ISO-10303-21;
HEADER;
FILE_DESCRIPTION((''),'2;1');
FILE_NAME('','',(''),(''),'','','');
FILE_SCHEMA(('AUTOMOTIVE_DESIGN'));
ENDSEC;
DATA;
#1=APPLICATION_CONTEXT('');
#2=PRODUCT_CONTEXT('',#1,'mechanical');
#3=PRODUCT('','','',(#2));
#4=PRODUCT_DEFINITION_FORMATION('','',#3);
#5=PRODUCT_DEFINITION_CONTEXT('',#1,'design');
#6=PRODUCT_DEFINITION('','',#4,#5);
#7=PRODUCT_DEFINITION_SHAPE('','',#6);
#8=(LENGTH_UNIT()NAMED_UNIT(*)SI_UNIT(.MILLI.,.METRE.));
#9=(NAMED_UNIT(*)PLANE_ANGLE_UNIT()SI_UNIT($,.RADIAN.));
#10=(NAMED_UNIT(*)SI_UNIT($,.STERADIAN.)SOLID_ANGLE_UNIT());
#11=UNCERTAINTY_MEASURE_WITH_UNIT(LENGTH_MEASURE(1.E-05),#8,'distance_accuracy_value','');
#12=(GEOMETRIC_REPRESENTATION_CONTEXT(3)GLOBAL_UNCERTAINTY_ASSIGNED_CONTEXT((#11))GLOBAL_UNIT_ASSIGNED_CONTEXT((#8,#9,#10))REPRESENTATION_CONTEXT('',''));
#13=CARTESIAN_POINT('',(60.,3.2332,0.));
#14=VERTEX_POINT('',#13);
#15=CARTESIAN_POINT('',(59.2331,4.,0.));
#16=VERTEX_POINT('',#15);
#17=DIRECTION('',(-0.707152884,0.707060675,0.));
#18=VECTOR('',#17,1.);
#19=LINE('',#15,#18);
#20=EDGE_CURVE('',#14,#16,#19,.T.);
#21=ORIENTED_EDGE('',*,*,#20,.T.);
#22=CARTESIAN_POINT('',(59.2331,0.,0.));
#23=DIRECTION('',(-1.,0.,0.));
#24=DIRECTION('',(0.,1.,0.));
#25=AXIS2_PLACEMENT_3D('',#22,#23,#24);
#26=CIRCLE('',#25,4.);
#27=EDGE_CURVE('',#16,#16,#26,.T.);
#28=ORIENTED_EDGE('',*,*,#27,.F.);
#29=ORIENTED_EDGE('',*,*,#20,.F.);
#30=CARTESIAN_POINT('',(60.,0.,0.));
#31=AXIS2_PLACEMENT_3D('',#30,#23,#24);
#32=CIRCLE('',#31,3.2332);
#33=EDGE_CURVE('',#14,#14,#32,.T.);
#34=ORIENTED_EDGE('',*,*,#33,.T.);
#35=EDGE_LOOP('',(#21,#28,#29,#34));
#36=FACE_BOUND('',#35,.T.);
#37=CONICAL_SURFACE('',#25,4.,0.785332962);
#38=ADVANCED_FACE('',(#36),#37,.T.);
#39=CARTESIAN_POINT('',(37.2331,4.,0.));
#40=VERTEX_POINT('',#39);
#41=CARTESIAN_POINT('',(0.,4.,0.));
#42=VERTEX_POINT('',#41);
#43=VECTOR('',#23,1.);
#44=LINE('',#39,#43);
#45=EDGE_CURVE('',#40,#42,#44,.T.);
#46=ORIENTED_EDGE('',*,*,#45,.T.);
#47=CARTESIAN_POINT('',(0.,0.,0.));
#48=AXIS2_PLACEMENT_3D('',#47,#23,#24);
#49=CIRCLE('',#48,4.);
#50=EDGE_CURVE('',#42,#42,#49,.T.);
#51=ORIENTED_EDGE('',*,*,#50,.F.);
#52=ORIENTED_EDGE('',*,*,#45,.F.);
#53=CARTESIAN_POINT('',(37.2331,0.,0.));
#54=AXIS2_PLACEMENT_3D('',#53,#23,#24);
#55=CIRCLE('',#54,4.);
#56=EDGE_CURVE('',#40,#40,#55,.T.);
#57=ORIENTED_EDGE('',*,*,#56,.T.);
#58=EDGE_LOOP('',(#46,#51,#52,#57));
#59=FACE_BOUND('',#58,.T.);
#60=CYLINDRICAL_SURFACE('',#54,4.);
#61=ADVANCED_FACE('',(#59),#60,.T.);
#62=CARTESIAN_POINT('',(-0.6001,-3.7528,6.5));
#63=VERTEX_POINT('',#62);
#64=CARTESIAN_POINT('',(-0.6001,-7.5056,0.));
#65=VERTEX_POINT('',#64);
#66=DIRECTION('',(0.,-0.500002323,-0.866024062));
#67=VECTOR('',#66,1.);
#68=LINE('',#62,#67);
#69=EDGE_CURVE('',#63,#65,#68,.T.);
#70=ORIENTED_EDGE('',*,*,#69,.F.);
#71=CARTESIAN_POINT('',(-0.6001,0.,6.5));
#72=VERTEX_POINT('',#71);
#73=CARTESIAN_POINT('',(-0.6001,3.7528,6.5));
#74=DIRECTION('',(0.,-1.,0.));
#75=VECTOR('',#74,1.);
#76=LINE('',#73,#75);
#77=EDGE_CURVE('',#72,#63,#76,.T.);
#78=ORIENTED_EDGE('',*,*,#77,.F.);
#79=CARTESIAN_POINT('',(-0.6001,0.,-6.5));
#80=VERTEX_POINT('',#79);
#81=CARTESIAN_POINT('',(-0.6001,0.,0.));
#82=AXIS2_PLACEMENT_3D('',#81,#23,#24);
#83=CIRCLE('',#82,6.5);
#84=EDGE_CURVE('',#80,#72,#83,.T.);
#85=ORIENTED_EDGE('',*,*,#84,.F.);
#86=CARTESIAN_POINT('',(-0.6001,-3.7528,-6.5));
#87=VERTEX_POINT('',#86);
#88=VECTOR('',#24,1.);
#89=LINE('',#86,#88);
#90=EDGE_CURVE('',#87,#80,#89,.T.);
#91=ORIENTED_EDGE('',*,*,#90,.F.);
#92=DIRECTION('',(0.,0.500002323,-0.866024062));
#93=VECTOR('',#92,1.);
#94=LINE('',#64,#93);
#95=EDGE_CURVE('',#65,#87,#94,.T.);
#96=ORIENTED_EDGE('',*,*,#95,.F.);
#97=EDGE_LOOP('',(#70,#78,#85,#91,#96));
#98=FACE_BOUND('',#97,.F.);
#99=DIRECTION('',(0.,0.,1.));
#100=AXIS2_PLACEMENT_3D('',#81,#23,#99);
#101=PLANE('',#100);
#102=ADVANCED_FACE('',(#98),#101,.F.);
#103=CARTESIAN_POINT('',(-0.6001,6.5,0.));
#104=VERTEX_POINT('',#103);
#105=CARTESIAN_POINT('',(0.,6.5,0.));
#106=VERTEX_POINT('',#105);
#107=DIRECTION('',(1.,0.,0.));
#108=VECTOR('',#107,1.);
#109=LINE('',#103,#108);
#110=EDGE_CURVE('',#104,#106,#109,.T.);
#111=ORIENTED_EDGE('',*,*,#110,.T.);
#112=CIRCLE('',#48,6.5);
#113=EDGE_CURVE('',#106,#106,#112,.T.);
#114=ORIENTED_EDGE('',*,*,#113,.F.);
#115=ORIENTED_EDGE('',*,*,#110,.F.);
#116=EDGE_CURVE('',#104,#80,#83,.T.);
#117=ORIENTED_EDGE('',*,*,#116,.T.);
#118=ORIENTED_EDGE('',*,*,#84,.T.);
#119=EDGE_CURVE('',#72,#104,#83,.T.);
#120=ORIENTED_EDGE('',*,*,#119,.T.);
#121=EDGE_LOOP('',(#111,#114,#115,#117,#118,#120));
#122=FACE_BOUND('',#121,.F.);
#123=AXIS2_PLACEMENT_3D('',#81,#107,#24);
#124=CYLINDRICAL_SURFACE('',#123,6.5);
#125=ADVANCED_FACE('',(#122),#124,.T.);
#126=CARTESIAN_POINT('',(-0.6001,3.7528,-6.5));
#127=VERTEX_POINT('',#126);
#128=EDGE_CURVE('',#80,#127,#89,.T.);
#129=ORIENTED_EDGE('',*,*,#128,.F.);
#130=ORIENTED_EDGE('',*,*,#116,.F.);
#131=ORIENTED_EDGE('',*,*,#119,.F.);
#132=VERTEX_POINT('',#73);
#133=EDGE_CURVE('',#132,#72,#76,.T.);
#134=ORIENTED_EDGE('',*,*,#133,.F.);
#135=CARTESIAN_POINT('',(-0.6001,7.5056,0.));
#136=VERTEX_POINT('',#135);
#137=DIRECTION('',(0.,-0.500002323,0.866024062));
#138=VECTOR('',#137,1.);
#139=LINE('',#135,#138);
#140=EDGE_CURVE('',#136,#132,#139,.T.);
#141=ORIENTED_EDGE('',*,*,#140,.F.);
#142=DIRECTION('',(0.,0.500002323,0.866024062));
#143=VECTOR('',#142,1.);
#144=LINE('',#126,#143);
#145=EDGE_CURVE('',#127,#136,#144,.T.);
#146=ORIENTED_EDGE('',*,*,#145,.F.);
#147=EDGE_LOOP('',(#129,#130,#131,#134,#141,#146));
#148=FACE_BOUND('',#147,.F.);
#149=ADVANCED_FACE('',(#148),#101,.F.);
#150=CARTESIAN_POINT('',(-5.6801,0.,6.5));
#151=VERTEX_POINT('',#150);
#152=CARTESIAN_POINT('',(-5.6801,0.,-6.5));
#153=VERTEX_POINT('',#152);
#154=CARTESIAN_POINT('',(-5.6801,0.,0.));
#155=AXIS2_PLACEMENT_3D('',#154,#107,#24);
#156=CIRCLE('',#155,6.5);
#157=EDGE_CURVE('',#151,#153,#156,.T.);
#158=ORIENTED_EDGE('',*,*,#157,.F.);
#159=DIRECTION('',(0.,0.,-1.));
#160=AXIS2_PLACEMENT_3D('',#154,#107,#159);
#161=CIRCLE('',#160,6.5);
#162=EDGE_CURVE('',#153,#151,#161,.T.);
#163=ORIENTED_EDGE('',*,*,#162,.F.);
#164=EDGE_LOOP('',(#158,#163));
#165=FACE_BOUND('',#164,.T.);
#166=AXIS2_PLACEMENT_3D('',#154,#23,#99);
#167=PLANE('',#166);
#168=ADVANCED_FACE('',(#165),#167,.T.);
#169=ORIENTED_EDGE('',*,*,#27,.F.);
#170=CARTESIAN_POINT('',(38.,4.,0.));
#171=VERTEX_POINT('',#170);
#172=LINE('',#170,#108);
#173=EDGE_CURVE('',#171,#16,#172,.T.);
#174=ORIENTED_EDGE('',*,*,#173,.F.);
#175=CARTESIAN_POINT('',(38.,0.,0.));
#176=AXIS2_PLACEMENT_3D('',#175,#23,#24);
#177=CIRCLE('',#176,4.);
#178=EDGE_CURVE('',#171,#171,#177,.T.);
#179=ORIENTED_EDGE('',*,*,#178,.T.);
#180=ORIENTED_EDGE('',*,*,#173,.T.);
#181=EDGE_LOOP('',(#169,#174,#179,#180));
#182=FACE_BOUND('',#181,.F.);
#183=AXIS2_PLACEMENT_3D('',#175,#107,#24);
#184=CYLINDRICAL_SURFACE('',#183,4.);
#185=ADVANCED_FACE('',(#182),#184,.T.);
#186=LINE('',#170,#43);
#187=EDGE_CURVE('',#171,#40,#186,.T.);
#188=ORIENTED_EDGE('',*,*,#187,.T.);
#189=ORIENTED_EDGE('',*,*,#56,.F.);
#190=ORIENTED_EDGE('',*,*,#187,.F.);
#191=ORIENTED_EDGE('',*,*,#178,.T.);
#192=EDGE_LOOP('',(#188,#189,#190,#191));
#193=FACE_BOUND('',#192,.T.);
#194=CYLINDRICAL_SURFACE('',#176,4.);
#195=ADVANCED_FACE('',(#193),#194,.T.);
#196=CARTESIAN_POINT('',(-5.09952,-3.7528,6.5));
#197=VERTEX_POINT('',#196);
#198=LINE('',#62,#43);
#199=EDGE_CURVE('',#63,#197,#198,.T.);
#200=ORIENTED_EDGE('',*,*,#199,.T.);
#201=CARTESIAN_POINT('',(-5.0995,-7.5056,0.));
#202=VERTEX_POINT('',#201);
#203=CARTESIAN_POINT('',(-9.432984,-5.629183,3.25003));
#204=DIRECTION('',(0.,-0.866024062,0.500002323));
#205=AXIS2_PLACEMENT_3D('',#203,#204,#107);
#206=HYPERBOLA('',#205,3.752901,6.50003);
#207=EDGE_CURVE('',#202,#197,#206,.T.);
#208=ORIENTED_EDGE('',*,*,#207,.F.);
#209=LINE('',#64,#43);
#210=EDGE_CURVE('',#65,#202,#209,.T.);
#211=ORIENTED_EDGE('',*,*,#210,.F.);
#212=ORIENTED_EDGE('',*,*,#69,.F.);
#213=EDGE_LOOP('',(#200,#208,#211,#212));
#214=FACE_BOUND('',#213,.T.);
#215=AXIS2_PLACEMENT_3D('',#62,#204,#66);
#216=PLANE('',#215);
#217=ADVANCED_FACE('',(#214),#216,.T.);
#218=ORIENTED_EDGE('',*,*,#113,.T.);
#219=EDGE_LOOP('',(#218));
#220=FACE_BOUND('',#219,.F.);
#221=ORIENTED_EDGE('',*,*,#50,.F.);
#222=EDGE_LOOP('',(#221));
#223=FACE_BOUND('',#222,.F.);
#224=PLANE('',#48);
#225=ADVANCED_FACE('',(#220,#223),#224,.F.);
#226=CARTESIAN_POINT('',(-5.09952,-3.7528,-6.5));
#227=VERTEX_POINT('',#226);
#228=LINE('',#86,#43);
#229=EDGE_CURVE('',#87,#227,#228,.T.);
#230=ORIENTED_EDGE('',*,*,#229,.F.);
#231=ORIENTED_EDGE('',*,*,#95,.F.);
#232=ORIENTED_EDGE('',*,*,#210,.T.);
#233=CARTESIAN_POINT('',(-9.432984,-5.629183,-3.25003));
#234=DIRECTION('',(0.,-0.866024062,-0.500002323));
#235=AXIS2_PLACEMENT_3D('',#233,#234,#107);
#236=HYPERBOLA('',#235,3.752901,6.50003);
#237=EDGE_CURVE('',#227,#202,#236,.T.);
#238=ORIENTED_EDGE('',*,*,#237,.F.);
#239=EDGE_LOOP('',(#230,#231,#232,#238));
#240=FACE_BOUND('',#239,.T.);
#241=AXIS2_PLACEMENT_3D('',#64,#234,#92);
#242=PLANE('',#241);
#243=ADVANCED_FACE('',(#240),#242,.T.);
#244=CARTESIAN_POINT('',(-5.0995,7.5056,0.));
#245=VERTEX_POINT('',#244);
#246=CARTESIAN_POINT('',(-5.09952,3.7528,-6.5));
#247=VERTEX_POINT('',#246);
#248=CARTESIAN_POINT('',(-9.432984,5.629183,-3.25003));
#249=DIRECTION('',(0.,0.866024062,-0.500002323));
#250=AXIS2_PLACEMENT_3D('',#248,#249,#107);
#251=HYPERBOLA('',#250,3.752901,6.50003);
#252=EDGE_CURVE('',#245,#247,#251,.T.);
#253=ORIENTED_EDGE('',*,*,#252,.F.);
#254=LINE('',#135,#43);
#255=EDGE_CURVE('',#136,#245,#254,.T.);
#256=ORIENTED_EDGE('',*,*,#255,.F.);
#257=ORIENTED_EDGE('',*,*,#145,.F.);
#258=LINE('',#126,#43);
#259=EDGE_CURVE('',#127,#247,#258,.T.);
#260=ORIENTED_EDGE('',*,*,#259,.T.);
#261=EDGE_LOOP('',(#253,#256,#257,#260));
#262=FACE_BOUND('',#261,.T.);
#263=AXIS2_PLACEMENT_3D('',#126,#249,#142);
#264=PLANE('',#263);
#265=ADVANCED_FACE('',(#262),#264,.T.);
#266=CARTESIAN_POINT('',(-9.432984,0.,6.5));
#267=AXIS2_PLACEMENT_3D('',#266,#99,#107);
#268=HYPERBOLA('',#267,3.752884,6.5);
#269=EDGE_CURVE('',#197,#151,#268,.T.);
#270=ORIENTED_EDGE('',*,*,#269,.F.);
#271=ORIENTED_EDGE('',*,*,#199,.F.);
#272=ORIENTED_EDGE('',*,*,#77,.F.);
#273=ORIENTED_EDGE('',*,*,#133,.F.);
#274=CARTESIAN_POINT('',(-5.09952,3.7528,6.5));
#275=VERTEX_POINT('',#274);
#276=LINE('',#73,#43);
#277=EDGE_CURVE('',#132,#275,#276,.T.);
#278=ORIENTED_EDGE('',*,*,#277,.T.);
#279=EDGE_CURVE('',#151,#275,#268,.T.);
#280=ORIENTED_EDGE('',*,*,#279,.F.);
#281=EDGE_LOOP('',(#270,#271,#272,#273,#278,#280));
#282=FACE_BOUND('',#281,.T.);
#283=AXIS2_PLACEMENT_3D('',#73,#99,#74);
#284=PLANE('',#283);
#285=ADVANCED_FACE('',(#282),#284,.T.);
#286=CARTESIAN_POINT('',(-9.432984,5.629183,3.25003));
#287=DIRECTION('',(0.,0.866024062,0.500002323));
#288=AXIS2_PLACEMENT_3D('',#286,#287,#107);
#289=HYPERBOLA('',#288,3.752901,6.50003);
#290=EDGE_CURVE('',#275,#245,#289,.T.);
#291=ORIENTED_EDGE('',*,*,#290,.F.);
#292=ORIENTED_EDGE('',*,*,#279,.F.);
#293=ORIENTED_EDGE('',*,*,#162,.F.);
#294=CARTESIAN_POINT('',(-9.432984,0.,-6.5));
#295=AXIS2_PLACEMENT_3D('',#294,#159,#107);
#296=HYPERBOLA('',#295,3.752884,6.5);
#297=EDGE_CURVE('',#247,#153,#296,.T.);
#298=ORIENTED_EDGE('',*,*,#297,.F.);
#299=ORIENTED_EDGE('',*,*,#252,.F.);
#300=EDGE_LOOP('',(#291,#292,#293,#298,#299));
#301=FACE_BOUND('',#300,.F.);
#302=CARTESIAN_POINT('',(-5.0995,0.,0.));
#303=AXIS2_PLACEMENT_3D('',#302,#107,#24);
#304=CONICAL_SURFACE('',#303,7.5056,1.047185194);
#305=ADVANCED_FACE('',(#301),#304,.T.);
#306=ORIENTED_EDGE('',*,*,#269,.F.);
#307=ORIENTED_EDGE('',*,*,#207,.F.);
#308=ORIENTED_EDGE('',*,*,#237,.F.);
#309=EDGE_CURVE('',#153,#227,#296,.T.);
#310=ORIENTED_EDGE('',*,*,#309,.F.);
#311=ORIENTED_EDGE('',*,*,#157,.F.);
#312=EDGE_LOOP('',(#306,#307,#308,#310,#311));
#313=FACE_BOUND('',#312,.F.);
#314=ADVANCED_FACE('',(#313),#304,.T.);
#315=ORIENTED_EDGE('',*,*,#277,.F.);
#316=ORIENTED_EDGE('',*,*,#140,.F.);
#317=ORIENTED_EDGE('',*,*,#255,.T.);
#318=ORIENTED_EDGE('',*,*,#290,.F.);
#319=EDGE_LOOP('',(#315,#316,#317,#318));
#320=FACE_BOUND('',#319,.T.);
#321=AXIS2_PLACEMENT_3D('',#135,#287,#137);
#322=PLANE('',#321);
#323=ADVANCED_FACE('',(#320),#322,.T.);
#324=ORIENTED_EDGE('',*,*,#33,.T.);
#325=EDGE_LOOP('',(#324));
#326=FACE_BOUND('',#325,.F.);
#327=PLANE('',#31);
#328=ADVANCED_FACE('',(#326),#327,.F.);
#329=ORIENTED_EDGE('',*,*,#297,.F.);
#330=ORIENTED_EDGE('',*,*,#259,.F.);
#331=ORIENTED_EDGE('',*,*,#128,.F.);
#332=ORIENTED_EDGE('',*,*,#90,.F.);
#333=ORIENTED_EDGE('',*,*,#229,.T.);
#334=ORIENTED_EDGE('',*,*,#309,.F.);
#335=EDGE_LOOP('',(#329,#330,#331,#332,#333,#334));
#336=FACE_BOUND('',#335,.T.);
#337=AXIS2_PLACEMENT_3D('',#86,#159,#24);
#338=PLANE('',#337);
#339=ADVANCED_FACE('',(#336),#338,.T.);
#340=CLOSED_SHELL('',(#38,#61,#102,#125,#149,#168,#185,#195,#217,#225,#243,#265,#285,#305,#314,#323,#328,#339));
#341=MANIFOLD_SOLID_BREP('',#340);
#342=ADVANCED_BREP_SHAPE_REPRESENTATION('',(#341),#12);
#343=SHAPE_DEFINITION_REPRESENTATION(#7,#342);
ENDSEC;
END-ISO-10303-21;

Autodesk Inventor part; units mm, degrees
ref_plane "YZ Plane" through (0, 0, 0) normal (1, 0, 0) x (0, 1, 0)
ref_plane "XZ Plane" through (0, 0, 0) normal (0, 1, 0) x (-1, 0, 0)
sketch "Sketch1" plane through (0, 0, 0) normal (0, 0, 1) x (1, 0, 0)
  line L0 (0, 6.5) -> (0, 4)
  line L1 (38, 4) -> (60, 4)
  line L2 (60, 4) -> (60, 0)
  line L3 (60, 0) -> (-0.6001, 0)
  line L4 (-12.7201, 0) -> (72.12, 0) projected
  line L5 (-0.6001, 0) -> (-0.6001, 6.5)
  line L6 (-0.6001, 6.5) -> (0, 6.5)
  line L7 (38, 4) -> (37.2331, 4)
  line L8 (37.2331, 4) -> (0, 4)
  line L9 (0, -1.3) -> (0, 7.8) projected
  dimension "d0" = 60
  dimension "d1" = 22
  dimension "d2" = 8
  dimension "d9" = 0.6001
  dimension "d10" = 13
  dimension "d13" = 0.7669
  dimension "d14" = 8
revolve "Body" add sketch "Sketch1" angle 360 about axis through (60, 0, 0) along (-1, 0, 0)
sketch "Sketch2" plane through (-0.6001, 0, 0) normal (-1, 0, 0) x (0, 0, 1)
  line L0 (0, 7.5056) -> (6.5, 3.7528)
  line L1 (6.5, 3.7528) -> (6.5, -3.7528)
  line L2 (6.5, -3.7528) -> (0, -7.5056)
  line L3 (0, -7.5056) -> (-6.5, -3.7528)
  line L4 (-6.5, -3.7528) -> (-6.5, 3.7528)
  line L5 (-6.5, 3.7528) -> (0, 7.5056)
  point P0 (0, 0)
  point P1 (0, 0)
  dimension "d11" = 13
extrude "Head" add sketch "Sketch2" along normal blind 5.08
sketch "Sketch4" plane through (0, 0, 0) normal (0, 0, 1) x (1, 0, 0)
  line L0 (-5.6801, 6.5) -> (-5.6801, 7.5056)
  line L1 (-5.6801, 7.5056) -> (-5.0995, 7.5056)
  line L2 (-5.0995, 7.5056) -> (-5.6801, 6.5)
  line L3 (-6.6961, 0) -> (0.4159, 0) projected
  line L4 (-0.6001, 7.5056) -> (-5.6801, 7.5056) projected
  line L5 (-5.6801, 3.7528) -> (-5.6801, 7.5056) projected
  dimension "d5" = 30
  dimension "d19" = 13
revolve "Chamfer1" cut sketch "Sketch4" angle 360 about axis through (-10, 0, 0) along (1, 0, 0)
thread "Thread" size "M8x1.25" class "6g" standard "ISO Metric profile" length 22
chamfer "Chamfer2" distance 0.7668 distance2 0.7669 1 edges at (60, -4, 0) measured on face at (60, -0.1514, -1.2467)
ref_plane "Work Plane1" through (1.525, 0, 0) normal (0, 0, 1) x (1, 0, 0)
equation "\"d0\" = NLG"
equation "\"d1\" = GEL"
equation "\"d2\" = GD"
equation "\"d10\" = SD2"
equation "\"d14\" = BDM"
equation "\"d11\" = SW"
equation "\"d3\" = KOH - SD"
equation "\"d5\" = ANG1"
equation "\"d19\" = SW0"
equation "\"d15\" = GEL"
equation "\"d6\" = -0.5 * SPD + 0.5 * GD"
equation "\"NLG\" = 60"
equation "\"GD\" = NND"
equation "\"BDM\" = NND"
equation "\"KOH\" = 5.68"
equation "\"GEL\" = 22"
equation "\"SW\" = 13"
equation "\"SW0\" = SW"
equation "\"SPD\" = NND - 1.2269 * PTC"
equation "\"SD2\" = SW"
equation "\"SD\" = 0.6"
equation "\"ANG1\" = 30deg"
equation "\"GAL\" = 0.61345 * PTC"
equation "\"GUL\" = 0.61345 * PTC"
equation "\"RR\" = 0.4"
equation "\"WFT\" = SD"
equation "\"GD1\" = THREADDIA - 1.2269 * PTC"
equation "\"THREADDIA\" = 8"
equation "\"SDH\" = SW"
equation "\"TOA\" = 30deg"
equation "\"FAWI\" = 45deg"
equation "\"PTC\" = 1.25"
equation "\"NND\" = 8"
equation "\"E0\" = 1.155 * SW"
properties part number "AS 1111 - M8 x 60" material "Steel, Mild"
